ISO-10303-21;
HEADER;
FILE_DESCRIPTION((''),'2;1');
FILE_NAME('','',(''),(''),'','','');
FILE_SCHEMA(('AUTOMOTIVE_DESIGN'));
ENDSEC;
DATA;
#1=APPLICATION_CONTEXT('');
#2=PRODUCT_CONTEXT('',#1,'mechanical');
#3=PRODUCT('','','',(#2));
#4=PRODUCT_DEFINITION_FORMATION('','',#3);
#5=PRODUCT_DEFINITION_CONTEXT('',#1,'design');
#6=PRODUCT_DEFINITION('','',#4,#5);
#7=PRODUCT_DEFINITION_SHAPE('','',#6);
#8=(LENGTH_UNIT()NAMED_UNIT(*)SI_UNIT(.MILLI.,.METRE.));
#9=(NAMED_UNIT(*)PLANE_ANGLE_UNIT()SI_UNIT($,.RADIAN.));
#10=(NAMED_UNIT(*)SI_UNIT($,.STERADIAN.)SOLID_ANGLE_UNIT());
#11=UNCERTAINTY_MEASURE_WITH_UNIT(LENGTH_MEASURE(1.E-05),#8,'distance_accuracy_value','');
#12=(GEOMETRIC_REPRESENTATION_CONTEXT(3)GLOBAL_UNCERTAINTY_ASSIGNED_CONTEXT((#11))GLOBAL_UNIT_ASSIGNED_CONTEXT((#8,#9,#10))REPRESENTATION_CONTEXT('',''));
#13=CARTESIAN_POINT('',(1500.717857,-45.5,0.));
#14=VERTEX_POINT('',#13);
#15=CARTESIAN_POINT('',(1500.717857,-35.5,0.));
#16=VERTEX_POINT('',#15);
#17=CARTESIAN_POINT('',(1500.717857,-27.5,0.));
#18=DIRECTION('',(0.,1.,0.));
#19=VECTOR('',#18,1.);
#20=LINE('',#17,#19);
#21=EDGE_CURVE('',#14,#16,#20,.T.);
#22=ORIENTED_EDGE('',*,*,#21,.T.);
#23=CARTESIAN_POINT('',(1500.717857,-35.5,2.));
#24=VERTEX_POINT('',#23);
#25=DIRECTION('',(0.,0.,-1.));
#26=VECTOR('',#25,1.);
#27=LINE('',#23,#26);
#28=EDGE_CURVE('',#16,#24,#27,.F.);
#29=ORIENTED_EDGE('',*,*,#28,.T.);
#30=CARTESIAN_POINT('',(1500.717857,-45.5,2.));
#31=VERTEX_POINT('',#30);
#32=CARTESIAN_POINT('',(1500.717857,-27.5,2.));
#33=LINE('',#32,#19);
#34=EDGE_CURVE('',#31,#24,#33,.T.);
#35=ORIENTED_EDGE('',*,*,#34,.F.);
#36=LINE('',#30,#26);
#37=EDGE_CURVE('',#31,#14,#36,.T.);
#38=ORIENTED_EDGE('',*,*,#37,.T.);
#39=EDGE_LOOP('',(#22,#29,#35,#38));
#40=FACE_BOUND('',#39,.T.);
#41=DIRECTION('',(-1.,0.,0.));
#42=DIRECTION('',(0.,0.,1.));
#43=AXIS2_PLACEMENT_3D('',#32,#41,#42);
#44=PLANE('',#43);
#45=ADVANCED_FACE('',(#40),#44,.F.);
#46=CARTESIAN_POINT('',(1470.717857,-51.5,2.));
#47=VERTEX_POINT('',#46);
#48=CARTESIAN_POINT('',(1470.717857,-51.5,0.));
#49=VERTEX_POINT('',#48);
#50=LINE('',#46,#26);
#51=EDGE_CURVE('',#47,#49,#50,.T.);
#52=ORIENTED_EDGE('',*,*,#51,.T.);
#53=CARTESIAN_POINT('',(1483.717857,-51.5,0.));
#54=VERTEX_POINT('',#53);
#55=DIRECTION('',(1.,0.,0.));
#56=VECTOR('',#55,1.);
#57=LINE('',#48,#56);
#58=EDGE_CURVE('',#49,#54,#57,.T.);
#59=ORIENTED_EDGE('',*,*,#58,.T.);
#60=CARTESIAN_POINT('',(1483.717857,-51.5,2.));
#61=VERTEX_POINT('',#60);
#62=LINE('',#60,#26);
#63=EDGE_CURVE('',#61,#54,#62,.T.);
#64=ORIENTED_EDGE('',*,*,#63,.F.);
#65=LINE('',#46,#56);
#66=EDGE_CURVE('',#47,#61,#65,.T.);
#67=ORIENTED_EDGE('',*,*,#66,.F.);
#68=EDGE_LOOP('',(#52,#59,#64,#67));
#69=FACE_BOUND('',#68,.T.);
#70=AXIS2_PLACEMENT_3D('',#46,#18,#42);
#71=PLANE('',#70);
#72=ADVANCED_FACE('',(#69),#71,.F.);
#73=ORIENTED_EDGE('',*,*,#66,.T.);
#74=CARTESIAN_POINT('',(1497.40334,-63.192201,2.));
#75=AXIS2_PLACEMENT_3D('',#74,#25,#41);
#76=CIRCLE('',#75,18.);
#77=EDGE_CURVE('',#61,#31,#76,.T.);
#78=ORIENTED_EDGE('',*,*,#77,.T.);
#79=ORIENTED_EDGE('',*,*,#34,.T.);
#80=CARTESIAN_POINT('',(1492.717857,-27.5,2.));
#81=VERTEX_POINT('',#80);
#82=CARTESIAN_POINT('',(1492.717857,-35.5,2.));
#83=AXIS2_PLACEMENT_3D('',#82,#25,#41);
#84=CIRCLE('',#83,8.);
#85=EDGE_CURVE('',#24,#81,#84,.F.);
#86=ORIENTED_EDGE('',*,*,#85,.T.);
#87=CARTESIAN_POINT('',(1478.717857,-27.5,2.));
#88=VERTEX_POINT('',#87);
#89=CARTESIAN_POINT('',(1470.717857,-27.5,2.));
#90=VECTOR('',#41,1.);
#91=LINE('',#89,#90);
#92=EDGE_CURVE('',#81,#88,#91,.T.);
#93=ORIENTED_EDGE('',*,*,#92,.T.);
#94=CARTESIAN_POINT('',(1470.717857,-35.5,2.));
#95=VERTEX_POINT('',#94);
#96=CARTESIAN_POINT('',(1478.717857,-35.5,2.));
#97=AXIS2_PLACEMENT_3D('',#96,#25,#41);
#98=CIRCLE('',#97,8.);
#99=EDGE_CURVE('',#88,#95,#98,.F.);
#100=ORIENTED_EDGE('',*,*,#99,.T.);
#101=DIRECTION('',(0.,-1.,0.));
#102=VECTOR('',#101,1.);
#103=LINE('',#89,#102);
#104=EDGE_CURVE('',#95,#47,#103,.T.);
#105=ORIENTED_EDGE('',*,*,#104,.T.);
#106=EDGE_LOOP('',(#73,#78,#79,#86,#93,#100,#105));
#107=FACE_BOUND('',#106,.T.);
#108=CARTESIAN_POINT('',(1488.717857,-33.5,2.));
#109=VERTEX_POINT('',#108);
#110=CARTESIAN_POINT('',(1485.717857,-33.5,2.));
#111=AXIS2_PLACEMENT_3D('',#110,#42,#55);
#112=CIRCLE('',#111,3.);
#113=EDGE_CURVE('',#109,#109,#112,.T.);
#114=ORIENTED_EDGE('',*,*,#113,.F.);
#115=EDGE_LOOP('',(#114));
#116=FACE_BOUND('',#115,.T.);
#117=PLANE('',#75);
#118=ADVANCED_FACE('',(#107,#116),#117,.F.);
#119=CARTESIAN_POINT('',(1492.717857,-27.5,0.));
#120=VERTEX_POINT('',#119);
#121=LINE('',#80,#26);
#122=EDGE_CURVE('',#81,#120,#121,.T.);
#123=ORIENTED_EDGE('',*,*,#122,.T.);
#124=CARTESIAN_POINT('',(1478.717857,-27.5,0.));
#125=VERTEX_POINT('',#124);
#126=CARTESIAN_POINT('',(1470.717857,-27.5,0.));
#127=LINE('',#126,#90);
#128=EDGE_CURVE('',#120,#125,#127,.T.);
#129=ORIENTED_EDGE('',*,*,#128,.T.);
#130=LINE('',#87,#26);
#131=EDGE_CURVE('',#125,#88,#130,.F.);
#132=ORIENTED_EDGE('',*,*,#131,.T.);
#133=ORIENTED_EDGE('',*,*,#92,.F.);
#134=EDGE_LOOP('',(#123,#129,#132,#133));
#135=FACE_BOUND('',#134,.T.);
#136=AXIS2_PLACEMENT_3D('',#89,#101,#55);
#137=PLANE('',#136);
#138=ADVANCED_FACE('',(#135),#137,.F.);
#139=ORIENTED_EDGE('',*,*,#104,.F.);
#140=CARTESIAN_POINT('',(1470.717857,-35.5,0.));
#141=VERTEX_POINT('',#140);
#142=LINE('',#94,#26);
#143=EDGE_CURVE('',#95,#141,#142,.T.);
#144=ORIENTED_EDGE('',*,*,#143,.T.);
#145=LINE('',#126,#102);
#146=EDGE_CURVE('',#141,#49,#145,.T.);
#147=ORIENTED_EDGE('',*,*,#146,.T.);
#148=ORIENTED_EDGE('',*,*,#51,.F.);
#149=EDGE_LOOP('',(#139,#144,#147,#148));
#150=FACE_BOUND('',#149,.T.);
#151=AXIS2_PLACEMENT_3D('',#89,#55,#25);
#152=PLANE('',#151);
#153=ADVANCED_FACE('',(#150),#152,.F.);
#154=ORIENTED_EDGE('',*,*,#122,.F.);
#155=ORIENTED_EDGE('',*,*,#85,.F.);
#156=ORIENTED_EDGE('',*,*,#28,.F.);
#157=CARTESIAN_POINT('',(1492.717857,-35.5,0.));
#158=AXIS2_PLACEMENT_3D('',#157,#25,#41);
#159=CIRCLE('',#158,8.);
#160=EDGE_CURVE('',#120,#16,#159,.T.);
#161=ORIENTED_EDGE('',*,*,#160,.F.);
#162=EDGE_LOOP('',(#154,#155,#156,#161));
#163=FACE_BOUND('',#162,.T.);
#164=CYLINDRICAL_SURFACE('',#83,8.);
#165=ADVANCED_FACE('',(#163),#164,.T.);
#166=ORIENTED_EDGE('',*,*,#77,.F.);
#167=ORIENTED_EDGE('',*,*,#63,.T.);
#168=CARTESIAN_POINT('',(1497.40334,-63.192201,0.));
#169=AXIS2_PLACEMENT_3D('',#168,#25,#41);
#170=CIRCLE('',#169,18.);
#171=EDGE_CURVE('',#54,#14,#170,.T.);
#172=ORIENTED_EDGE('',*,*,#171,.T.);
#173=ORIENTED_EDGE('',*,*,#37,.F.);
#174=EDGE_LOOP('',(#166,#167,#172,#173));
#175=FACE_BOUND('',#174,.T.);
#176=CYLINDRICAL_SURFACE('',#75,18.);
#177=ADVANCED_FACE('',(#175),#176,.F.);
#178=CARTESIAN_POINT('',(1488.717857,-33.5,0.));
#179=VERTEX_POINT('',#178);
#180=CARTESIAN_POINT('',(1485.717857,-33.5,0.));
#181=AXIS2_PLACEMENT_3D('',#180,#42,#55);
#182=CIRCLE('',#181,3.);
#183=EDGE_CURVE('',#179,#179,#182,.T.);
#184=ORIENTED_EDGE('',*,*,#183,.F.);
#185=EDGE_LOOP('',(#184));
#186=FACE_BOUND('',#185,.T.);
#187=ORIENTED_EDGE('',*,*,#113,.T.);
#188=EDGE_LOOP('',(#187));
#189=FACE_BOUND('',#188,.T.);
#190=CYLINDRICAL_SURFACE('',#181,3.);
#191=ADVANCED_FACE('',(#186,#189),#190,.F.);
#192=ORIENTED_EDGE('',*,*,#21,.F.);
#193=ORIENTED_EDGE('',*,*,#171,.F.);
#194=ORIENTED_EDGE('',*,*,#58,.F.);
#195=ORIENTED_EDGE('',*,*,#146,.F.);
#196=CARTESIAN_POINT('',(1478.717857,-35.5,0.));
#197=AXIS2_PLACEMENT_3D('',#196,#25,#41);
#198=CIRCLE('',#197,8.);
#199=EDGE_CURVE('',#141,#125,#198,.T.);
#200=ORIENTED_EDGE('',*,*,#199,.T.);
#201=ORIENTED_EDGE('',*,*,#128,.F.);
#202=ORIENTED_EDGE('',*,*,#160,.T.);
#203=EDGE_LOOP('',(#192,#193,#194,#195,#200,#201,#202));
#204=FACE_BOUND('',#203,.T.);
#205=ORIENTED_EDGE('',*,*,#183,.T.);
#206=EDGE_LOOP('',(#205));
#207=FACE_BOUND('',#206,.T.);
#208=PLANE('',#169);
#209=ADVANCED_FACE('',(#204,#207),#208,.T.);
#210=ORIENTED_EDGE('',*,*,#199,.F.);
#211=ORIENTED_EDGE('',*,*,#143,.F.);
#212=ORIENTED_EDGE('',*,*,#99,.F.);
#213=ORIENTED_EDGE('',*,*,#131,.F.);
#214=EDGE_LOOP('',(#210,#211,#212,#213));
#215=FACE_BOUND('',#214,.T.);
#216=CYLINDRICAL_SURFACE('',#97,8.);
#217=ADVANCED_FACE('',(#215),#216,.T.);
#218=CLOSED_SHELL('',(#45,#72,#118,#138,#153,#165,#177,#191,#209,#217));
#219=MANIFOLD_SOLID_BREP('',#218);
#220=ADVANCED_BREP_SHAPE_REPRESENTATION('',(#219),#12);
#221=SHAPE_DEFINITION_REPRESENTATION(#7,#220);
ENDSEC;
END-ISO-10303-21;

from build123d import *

# Parameters (mm, degrees)
DODANIE_WYCI_GNI_CIE2_DEPTH = 2
SZKIC4_R                    = 3
WYTNIJ_WYCI_GNI_CIE2_DEPTH  = 2
ZAOKR_GLENIE1_R             = 8
ZAOKR_GLENIE2_R             = 8


with BuildPart() as part:
    # Szkic3 → Dodanie-wyciągnięcie2 (new body)
    with BuildSketch(Plane.XY):
        with BuildLine():
            Line((1470.717856821, -27.5), (1500.717856821, -27.5))
            Line((1500.717856821, -27.5), (1500.717856821, -45.5))
            ThreePointArc((1500.717856821, -45.5), (1491.412577396, -46.218374962), (1483.717856821, -51.5))
            Line((1483.717856821, -51.5), (1470.717856821, -51.5))
            Line((1470.717856821, -51.5), (1470.717856821, -27.5))
        make_face()
    extrude(amount=DODANIE_WYCI_GNI_CIE2_DEPTH)

    # Szkic4 → Wytnij-wyciągnięcie2 (cut)
    with BuildSketch(Plane.XY.offset(2)):
        with Locations((1485.717856821, -33.5)):
            Circle(SZKIC4_R)
    extrude(amount=-WYTNIJ_WYCI_GNI_CIE2_DEPTH, mode=Mode.SUBTRACT)

    # Zaokrąglenie1
    zaokr_glenie1_edges = [part.edges().sort_by_distance(p)[0] for p in [
        (1470.717856821, -27.5, 1),
    ]]
    fillet(zaokr_glenie1_edges, radius=ZAOKR_GLENIE1_R)

    # Zaokrąglenie2
    zaokr_glenie2_edges = [part.edges().sort_by_distance(p)[0] for p in [
        (1500.717856821, -27.5, 1),
    ]]
    fillet(zaokr_glenie2_edges, radius=ZAOKR_GLENIE2_R)


solid = part.part
